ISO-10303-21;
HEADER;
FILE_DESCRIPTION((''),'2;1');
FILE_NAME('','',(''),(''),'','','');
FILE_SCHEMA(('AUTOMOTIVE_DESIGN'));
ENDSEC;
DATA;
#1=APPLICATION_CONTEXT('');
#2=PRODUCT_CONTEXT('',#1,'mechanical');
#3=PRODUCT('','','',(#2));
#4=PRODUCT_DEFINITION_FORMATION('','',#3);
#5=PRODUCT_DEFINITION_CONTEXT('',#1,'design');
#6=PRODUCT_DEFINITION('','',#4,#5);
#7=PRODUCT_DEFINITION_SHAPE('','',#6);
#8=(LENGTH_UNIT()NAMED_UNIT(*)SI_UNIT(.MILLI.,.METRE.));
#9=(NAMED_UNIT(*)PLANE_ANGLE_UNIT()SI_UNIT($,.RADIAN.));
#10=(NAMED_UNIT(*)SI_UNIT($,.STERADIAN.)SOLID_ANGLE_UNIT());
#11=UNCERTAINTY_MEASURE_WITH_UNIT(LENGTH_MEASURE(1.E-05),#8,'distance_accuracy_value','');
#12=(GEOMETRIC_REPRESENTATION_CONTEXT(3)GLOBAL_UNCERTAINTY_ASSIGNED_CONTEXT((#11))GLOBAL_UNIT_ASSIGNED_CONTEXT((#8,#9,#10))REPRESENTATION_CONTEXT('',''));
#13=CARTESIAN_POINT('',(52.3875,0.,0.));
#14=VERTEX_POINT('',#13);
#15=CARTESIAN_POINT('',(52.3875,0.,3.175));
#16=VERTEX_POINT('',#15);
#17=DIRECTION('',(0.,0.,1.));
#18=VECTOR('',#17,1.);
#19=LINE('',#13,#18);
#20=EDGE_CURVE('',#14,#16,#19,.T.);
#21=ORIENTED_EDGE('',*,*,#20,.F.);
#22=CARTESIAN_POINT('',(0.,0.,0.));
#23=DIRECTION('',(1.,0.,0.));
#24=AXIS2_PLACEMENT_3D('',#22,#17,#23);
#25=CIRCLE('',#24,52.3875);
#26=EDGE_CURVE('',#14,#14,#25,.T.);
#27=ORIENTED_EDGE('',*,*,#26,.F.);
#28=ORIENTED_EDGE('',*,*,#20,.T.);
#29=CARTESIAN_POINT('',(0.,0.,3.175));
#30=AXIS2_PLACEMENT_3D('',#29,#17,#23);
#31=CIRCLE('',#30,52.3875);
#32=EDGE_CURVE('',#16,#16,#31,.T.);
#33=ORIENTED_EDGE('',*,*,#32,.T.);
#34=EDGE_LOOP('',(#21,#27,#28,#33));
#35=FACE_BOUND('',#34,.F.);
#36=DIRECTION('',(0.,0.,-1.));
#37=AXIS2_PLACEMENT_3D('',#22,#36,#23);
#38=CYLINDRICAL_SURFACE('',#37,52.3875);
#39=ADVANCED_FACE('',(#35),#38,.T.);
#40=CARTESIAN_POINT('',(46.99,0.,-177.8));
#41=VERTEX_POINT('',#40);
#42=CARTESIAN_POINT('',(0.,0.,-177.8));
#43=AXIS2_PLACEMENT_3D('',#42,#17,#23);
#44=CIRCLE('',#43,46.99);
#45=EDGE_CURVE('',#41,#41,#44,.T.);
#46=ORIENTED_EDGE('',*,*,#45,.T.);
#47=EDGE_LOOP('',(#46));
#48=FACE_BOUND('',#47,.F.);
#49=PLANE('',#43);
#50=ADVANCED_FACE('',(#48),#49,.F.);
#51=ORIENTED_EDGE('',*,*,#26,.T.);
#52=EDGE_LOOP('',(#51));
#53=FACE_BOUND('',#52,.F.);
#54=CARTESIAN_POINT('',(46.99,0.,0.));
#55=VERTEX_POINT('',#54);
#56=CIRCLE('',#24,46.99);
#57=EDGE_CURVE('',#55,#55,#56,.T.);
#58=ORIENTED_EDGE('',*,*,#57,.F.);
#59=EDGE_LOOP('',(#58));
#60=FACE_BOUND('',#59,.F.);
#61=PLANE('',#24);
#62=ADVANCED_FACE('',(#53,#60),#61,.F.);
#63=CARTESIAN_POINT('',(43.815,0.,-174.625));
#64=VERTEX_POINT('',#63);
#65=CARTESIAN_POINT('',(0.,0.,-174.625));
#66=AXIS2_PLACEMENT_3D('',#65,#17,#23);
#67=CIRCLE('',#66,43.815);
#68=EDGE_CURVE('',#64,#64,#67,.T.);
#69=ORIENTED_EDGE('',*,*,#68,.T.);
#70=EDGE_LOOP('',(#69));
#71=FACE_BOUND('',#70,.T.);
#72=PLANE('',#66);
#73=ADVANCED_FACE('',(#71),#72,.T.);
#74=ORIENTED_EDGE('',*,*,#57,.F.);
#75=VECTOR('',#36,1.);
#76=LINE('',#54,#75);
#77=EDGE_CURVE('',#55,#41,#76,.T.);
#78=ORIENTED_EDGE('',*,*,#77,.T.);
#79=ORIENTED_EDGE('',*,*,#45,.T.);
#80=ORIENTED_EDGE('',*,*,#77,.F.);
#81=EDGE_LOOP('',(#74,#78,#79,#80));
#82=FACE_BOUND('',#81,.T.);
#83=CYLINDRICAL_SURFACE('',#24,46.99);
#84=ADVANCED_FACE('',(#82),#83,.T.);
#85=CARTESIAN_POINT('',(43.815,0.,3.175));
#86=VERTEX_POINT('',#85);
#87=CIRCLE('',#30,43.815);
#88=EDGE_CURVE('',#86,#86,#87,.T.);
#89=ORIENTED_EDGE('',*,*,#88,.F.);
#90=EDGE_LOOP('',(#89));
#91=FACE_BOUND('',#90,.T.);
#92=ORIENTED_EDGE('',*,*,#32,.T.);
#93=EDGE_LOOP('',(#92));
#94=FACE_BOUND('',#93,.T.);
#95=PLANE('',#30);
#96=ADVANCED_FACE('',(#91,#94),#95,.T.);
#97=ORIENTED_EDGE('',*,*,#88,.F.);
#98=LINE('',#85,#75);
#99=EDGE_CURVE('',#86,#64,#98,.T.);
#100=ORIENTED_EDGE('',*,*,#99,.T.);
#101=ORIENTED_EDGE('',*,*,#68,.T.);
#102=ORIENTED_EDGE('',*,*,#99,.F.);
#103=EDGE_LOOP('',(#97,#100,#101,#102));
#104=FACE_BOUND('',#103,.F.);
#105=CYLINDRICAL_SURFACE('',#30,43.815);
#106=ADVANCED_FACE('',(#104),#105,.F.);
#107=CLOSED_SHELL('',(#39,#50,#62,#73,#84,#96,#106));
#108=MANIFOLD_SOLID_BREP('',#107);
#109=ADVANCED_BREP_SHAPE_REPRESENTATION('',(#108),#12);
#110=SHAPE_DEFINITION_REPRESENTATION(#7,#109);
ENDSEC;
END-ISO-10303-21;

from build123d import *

# Parameters (mm, degrees)
F0_R     = 52.3875
F1_DEPTH = 3.175
F2_R     = 46.99
F3_DEPTH = 177.8
F5_R     = 43.815
F6_DEPTH = 177.8


with BuildPart() as f1:
    # F0 (on Top) → F1 (new body)
    with BuildSketch(Plane.XY):
        Circle(F0_R)
    extrude(amount=F1_DEPTH)

    # F2 (on Top) → F3 (join)
    with BuildSketch(Plane.XY):
        Circle(F2_R)
    extrude(amount=-F3_DEPTH)

    # F5 (on offset) → F6 (cut)
    with BuildSketch(Plane.XY.offset(3.175)):
        Circle(F5_R)
    extrude(amount=-F6_DEPTH, mode=Mode.SUBTRACT)


solid = f1.part
